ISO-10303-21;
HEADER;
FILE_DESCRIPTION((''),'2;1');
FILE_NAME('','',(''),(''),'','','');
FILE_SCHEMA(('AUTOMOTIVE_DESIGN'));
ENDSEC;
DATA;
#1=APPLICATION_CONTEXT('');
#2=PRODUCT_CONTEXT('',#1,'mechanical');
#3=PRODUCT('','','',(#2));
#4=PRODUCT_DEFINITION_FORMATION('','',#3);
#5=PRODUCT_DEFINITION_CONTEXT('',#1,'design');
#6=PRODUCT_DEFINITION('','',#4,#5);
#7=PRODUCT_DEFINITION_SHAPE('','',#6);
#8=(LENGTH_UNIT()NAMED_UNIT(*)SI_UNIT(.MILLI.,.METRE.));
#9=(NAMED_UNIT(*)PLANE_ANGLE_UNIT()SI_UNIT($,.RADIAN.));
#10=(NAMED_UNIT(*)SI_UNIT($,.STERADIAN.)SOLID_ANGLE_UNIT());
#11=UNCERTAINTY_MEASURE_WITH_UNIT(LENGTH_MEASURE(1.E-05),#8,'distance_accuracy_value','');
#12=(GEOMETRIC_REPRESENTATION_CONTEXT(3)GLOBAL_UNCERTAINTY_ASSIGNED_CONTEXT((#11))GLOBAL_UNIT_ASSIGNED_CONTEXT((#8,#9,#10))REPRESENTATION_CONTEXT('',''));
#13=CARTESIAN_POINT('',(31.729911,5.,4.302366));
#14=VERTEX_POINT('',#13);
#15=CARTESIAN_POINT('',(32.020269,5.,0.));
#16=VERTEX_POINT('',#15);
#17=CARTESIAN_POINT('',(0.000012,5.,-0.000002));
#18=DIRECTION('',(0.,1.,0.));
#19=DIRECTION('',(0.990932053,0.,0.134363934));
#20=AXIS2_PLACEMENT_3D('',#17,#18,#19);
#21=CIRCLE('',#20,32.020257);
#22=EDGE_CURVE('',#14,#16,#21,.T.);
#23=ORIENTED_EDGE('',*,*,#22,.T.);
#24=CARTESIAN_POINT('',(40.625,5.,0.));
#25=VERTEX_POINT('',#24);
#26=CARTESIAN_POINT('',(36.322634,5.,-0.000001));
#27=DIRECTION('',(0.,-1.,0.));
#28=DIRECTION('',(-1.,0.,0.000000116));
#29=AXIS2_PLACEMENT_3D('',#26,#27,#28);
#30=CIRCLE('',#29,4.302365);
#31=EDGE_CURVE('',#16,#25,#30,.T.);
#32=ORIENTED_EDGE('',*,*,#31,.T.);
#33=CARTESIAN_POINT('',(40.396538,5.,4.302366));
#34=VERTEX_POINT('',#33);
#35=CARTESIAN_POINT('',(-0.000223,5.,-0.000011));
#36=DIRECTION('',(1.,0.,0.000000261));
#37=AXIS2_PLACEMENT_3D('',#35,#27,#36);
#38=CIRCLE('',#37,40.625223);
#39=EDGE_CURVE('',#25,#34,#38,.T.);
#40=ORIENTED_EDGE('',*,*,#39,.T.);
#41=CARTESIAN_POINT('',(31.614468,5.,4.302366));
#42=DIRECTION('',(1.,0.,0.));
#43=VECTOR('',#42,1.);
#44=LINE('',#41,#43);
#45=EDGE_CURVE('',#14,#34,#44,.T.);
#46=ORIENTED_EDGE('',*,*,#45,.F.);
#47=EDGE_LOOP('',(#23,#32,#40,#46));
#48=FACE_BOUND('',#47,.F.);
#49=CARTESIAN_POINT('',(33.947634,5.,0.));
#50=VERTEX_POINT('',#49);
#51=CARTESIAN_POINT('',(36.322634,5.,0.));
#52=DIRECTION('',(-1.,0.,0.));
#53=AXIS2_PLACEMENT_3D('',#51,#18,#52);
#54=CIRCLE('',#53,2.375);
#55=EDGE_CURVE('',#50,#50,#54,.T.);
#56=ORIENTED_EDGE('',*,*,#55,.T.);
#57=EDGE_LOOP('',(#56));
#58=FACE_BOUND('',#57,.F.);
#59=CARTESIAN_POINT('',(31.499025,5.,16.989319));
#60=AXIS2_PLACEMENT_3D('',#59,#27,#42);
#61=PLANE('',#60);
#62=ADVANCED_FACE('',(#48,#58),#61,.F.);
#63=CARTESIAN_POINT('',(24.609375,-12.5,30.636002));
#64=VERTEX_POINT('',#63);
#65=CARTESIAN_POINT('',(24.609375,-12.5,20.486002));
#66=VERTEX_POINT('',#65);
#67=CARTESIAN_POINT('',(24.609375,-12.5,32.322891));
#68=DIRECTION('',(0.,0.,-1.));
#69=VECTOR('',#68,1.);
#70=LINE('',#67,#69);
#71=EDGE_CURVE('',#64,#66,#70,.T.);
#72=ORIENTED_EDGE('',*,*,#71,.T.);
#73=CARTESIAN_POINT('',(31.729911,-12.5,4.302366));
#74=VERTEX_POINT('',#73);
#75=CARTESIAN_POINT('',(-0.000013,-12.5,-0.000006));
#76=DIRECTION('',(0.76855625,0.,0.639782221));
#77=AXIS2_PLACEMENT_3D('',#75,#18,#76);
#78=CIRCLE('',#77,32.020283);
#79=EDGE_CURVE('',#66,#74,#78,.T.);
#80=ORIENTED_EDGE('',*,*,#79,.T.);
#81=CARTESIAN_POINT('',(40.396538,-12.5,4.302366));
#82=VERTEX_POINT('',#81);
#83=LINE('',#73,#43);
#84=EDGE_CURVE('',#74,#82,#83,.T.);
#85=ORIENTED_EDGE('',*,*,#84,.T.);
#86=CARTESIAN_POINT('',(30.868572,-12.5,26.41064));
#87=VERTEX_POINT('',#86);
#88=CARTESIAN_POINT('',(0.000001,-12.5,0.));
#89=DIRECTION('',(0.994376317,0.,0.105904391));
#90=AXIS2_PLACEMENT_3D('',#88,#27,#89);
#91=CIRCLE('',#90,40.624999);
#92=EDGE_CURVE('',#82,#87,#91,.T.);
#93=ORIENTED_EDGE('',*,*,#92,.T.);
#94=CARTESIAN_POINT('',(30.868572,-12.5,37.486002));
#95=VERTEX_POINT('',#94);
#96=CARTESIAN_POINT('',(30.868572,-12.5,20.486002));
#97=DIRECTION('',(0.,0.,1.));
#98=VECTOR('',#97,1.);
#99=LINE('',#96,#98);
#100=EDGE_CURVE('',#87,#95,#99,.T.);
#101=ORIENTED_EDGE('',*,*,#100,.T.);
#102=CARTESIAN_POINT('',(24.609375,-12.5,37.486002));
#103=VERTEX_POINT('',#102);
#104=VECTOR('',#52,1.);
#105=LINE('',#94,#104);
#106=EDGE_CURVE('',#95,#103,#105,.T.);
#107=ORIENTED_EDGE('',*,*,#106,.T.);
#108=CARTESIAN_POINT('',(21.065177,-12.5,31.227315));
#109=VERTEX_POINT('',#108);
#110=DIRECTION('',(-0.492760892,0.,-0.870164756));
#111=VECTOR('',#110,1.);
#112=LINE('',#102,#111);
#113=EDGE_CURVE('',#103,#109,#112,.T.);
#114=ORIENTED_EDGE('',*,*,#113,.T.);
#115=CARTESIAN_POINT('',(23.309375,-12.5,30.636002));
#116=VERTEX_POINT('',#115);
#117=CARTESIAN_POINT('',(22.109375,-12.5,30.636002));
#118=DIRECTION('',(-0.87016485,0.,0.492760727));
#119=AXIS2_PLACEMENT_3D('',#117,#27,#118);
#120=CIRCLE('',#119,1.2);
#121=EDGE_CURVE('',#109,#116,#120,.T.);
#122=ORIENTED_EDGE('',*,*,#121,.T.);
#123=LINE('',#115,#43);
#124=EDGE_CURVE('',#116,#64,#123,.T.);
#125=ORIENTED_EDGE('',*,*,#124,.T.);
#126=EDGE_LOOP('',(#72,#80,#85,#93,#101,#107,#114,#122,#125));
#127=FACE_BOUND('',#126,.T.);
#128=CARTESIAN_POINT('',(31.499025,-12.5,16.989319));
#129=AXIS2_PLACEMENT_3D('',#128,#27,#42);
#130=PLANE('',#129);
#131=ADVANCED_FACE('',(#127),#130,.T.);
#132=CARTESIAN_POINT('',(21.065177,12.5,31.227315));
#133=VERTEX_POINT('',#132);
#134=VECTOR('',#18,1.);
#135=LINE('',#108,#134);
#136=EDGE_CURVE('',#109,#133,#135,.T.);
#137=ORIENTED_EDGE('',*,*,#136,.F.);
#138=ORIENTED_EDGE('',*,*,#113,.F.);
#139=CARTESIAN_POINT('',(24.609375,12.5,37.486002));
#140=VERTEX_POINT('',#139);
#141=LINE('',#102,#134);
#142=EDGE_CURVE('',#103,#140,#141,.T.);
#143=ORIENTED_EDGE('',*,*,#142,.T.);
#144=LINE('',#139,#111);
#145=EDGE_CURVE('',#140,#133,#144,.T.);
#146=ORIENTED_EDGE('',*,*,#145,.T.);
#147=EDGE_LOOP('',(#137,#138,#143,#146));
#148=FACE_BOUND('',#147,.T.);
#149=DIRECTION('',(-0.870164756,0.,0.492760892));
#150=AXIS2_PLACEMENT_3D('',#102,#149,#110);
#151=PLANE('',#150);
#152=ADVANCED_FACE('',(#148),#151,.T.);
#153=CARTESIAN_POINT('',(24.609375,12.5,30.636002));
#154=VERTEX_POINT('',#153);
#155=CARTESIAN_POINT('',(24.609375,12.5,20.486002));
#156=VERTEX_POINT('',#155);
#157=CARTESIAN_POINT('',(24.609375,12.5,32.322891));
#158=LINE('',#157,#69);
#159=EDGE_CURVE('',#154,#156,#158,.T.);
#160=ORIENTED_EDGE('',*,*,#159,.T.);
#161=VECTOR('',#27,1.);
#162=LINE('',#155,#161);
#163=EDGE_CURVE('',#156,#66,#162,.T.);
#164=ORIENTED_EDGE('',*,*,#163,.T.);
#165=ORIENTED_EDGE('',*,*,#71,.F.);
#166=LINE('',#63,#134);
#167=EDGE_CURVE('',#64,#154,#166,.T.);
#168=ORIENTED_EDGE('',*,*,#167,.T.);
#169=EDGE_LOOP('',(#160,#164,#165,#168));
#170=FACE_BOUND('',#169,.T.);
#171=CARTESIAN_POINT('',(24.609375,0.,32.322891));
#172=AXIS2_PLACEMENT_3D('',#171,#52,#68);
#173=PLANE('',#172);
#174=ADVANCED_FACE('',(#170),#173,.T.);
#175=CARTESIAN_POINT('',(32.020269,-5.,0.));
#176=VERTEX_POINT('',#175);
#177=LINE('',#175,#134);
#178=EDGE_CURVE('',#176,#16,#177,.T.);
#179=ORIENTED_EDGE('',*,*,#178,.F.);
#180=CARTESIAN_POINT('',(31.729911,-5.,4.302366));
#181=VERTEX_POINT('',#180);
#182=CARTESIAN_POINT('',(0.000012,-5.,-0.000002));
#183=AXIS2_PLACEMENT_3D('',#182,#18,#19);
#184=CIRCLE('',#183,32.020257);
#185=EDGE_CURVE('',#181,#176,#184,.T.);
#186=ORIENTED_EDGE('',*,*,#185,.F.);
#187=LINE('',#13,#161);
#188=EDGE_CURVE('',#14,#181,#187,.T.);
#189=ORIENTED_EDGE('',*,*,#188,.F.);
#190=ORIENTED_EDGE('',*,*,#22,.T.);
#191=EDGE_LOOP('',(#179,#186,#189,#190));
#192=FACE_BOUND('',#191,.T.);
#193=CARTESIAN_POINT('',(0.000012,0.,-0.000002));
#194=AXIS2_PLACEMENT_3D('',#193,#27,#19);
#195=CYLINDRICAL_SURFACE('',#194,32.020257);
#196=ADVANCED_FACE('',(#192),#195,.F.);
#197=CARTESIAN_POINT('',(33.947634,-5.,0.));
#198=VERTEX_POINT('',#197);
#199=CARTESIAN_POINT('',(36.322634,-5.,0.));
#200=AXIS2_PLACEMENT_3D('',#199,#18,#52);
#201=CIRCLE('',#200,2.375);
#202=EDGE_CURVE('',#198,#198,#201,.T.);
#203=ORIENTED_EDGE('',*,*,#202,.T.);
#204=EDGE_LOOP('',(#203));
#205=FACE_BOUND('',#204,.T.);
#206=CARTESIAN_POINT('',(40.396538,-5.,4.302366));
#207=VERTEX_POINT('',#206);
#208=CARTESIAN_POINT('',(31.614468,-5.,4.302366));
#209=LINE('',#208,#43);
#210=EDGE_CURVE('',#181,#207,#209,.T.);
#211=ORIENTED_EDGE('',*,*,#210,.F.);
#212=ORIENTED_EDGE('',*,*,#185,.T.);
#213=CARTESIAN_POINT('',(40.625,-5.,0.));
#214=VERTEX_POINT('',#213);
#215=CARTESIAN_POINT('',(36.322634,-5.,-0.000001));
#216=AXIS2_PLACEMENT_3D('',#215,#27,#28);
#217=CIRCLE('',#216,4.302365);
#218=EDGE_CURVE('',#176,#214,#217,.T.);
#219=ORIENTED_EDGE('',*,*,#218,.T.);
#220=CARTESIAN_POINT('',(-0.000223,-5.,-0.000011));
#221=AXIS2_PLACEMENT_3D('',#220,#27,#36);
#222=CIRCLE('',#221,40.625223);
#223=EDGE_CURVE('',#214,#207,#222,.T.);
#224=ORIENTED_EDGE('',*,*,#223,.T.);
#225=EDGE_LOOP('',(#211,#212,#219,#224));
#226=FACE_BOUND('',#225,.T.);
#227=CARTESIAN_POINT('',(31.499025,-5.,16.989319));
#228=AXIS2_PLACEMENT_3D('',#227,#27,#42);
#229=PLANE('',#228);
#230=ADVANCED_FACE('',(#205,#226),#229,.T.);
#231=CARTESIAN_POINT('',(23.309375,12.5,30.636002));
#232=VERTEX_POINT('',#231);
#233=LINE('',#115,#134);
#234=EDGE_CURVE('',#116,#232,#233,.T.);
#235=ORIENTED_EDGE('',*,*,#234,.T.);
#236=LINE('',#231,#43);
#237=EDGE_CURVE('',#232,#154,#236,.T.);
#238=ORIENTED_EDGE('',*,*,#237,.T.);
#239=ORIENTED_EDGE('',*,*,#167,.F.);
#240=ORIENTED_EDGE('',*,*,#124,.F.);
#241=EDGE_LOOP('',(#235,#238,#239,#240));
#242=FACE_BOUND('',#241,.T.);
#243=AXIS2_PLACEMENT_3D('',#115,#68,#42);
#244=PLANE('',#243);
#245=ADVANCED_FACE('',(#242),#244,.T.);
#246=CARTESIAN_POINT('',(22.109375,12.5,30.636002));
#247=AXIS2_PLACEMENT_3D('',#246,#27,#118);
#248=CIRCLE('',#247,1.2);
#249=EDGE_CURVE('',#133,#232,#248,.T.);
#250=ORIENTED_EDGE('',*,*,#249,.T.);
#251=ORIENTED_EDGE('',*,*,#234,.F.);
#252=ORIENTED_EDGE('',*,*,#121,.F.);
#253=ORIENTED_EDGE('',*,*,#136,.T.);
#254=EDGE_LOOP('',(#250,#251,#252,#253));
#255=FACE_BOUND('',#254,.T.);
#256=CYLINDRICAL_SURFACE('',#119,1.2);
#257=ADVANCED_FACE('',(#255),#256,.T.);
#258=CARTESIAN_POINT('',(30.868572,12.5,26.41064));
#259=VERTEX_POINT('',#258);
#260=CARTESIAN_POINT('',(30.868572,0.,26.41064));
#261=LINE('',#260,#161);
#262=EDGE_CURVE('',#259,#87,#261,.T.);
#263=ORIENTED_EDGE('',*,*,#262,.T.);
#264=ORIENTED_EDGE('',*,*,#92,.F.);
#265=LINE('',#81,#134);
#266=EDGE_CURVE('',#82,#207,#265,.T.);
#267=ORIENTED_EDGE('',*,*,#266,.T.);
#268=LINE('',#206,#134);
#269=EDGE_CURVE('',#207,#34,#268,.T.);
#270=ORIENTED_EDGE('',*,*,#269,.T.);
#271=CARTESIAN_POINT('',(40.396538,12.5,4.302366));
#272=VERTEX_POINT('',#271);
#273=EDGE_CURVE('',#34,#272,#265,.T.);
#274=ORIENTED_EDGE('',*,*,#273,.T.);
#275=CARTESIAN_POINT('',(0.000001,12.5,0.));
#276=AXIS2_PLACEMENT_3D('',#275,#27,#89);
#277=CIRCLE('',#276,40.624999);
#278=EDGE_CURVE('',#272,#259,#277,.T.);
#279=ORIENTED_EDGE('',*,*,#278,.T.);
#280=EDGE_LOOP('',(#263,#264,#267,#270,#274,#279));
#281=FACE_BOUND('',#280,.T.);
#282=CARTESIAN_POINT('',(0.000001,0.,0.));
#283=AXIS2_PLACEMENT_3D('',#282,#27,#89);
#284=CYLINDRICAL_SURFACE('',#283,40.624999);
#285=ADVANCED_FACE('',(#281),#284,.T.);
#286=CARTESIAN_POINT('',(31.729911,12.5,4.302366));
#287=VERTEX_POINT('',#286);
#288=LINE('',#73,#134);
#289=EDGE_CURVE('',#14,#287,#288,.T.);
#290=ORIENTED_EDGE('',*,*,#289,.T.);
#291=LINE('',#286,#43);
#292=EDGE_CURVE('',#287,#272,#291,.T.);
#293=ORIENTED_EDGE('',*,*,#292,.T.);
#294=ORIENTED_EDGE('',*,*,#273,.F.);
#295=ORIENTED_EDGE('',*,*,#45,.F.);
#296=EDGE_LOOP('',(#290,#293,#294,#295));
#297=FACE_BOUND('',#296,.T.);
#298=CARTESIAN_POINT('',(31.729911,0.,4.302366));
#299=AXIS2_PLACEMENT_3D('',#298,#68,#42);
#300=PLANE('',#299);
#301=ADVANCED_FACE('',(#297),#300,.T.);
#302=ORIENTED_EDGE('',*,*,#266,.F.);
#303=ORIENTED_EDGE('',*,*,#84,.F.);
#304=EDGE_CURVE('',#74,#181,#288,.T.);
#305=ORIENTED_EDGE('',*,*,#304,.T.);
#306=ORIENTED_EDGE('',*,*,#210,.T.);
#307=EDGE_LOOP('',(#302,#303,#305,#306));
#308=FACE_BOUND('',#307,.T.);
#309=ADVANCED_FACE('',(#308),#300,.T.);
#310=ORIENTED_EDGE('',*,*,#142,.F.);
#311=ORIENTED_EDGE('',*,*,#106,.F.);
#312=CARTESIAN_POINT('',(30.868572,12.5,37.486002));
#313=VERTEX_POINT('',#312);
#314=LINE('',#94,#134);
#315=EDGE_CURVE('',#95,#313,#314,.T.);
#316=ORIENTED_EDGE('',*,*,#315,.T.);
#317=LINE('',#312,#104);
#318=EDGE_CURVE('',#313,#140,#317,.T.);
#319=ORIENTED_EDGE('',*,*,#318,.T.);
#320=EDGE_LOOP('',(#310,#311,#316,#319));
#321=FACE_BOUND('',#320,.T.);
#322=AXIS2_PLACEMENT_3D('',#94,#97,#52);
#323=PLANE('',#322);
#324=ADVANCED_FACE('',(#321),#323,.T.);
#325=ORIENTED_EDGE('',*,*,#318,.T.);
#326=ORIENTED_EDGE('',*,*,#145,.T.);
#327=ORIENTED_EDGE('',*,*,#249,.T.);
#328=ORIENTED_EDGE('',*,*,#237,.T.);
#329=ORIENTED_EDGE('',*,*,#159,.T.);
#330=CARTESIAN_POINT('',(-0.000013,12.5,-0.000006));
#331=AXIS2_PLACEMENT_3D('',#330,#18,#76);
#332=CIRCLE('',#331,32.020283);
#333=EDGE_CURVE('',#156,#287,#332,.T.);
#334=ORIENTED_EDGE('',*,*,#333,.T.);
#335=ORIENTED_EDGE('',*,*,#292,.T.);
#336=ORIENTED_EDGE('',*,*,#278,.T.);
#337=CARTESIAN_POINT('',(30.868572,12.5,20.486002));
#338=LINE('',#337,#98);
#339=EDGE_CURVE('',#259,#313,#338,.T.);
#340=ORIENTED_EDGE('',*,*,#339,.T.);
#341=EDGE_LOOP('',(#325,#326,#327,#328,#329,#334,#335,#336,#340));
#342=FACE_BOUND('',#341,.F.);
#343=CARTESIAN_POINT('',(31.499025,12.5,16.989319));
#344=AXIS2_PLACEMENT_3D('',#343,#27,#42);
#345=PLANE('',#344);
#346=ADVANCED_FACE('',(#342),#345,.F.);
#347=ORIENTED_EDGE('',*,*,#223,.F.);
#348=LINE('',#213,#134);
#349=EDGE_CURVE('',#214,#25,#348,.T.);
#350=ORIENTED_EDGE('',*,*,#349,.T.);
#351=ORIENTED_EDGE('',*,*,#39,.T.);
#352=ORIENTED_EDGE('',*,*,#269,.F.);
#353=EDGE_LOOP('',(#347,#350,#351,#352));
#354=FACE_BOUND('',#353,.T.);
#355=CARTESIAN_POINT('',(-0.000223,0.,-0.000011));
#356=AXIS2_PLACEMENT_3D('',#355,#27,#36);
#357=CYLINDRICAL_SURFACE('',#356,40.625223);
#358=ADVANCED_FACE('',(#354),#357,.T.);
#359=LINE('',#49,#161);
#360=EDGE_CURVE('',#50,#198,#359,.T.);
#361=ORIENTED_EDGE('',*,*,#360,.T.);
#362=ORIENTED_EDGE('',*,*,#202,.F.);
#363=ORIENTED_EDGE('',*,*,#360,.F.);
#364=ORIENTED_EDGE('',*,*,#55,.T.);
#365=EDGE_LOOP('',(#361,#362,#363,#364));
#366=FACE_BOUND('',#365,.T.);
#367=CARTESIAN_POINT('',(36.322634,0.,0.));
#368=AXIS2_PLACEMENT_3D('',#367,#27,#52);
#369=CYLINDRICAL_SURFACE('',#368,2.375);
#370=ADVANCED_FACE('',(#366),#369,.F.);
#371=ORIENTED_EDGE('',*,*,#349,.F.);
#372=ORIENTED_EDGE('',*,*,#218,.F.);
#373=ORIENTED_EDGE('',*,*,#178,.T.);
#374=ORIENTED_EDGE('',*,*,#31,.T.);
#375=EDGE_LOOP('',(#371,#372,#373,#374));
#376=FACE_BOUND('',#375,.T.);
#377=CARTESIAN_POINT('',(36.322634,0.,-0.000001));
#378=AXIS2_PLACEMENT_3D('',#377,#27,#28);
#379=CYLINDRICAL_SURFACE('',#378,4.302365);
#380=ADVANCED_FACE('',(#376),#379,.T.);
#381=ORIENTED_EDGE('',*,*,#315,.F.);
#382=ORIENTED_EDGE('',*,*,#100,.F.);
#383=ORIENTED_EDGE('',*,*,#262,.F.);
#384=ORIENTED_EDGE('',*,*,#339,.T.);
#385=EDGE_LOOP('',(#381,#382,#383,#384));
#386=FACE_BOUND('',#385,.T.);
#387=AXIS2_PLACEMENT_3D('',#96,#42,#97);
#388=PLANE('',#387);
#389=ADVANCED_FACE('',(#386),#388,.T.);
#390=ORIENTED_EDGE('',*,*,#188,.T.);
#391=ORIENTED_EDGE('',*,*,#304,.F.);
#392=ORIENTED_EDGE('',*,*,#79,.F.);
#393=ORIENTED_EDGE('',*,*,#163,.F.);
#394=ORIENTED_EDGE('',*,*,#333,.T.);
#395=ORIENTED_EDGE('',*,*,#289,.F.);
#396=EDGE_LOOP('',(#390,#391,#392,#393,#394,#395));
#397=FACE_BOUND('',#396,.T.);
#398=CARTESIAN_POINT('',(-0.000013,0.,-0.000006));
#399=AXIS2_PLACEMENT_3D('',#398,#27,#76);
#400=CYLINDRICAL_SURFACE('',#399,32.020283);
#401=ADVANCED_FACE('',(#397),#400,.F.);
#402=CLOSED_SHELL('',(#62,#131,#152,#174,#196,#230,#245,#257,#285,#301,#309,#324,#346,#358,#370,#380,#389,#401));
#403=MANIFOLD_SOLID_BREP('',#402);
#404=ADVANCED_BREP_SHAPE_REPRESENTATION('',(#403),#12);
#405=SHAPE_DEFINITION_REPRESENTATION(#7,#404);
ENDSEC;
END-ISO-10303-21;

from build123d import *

# Parameters (mm, degrees)
F1_DEPTH = 5
F2_DEPTH = 12.5
F4_DEPTH = 25


with BuildPart() as f1:
    # F0 (on Front) → F1 (new body, symmetric)
    with BuildSketch(Plane.XZ):
        with BuildLine():
            ThreePointArc((40.396538, 4.302366), (35.393921, 19.941439), (24.609375, 32.322891))
            Line((24.609375, 32.322891), (24.609375, 20.486002))
            ThreePointArc((24.609375, 20.486002), (29.308809, 12.895398), (31.729911, 4.302366))
            Line((31.729911, 4.302366), (36.322634, 4.302366))
            Line((36.322634, 4.302366), (40.396538, 4.302366))
        make_face()
        with BuildLine():
            ThreePointArc((32.020269, 0), (36.322634, -4.302366), (40.625, 0))
            Line((40.625, 0), (38.697634, 0))
            ThreePointArc((38.697634, 0), (36.322634, -2.375), (33.947634, 0))
            Line((33.947634, 0), (32.020269, 0))
        make_face()
        with BuildLine():
            Line((38.697634, 0), (40.625, 0))
            ThreePointArc((40.625, 0), (39.364866, 3.042232), (36.322634, 4.302366))
            ThreePointArc((36.322634, 4.302366), (33.280402, 3.042232), (32.020269, 0))
            Line((32.020269, 0), (33.947634, 0))
            ThreePointArc((33.947634, 0), (36.322634, 2.375), (38.697634, 0))
        make_face()
        with BuildLine():
            ThreePointArc((32.020269, 0), (33.280402, 3.042232), (36.322634, 4.302366))
            Line((36.322634, 4.302366), (31.729911, 4.302366))
            ThreePointArc((31.729911, 4.302366), (31.947597, 2.156076), (32.020269, 0))
        make_face()
        with BuildLine():
            ThreePointArc((36.322634, 4.302366), (39.364866, 3.042232), (40.625, 0))
            ThreePointArc((40.625, 0), (40.567844, 2.154214), (40.396538, 4.302366))
            Line((40.396538, 4.302366), (36.322634, 4.302366))
        make_face()
    extrude(amount=F1_DEPTH, both=True)

    # F0 (on Front) → F2 (join, symmetric)
    with BuildSketch(Plane.XZ):
        with BuildLine():
            ThreePointArc((40.396538, 4.302366), (35.393921, 19.941439), (24.609375, 32.322891))
            Line((24.609375, 32.322891), (24.609375, 20.486002))
            ThreePointArc((24.609375, 20.486002), (29.308809, 12.895398), (31.729911, 4.302366))
            Line((31.729911, 4.302366), (36.322634, 4.302366))
            Line((36.322634, 4.302366), (40.396538, 4.302366))
        make_face()
    extrude(amount=F2_DEPTH, both=True)

    # F3 (on face) → F4 (join)
    with BuildSketch(Plane.XZ.offset(12.5)):
        Polygon((24.609375, 30.636002), (24.609375, 20.486002), (30.868572, 20.486002), (30.868572, 37.486002), (24.609375, 37.486002), align=None)
        with BuildLine():
            Line((23.309375, 30.636002), (24.609375, 30.636002))
            Line((24.609375, 30.636002), (24.609375, 37.486002))
            Line((24.609375, 37.486002), (21.065177, 31.227315))
            ThreePointArc((21.065177, 31.227315), (22.415122, 31.796397), (23.309375, 30.636002))
        make_face()
        with BuildLine():
            ThreePointArc((21.065177, 31.227315), (21.803628, 29.475606), (23.309375, 30.636002))
            ThreePointArc((23.309375, 30.636002), (22.415122, 31.796397), (21.065177, 31.227315))
        make_face()
    extrude(amount=-F4_DEPTH)


solid = f1.part
